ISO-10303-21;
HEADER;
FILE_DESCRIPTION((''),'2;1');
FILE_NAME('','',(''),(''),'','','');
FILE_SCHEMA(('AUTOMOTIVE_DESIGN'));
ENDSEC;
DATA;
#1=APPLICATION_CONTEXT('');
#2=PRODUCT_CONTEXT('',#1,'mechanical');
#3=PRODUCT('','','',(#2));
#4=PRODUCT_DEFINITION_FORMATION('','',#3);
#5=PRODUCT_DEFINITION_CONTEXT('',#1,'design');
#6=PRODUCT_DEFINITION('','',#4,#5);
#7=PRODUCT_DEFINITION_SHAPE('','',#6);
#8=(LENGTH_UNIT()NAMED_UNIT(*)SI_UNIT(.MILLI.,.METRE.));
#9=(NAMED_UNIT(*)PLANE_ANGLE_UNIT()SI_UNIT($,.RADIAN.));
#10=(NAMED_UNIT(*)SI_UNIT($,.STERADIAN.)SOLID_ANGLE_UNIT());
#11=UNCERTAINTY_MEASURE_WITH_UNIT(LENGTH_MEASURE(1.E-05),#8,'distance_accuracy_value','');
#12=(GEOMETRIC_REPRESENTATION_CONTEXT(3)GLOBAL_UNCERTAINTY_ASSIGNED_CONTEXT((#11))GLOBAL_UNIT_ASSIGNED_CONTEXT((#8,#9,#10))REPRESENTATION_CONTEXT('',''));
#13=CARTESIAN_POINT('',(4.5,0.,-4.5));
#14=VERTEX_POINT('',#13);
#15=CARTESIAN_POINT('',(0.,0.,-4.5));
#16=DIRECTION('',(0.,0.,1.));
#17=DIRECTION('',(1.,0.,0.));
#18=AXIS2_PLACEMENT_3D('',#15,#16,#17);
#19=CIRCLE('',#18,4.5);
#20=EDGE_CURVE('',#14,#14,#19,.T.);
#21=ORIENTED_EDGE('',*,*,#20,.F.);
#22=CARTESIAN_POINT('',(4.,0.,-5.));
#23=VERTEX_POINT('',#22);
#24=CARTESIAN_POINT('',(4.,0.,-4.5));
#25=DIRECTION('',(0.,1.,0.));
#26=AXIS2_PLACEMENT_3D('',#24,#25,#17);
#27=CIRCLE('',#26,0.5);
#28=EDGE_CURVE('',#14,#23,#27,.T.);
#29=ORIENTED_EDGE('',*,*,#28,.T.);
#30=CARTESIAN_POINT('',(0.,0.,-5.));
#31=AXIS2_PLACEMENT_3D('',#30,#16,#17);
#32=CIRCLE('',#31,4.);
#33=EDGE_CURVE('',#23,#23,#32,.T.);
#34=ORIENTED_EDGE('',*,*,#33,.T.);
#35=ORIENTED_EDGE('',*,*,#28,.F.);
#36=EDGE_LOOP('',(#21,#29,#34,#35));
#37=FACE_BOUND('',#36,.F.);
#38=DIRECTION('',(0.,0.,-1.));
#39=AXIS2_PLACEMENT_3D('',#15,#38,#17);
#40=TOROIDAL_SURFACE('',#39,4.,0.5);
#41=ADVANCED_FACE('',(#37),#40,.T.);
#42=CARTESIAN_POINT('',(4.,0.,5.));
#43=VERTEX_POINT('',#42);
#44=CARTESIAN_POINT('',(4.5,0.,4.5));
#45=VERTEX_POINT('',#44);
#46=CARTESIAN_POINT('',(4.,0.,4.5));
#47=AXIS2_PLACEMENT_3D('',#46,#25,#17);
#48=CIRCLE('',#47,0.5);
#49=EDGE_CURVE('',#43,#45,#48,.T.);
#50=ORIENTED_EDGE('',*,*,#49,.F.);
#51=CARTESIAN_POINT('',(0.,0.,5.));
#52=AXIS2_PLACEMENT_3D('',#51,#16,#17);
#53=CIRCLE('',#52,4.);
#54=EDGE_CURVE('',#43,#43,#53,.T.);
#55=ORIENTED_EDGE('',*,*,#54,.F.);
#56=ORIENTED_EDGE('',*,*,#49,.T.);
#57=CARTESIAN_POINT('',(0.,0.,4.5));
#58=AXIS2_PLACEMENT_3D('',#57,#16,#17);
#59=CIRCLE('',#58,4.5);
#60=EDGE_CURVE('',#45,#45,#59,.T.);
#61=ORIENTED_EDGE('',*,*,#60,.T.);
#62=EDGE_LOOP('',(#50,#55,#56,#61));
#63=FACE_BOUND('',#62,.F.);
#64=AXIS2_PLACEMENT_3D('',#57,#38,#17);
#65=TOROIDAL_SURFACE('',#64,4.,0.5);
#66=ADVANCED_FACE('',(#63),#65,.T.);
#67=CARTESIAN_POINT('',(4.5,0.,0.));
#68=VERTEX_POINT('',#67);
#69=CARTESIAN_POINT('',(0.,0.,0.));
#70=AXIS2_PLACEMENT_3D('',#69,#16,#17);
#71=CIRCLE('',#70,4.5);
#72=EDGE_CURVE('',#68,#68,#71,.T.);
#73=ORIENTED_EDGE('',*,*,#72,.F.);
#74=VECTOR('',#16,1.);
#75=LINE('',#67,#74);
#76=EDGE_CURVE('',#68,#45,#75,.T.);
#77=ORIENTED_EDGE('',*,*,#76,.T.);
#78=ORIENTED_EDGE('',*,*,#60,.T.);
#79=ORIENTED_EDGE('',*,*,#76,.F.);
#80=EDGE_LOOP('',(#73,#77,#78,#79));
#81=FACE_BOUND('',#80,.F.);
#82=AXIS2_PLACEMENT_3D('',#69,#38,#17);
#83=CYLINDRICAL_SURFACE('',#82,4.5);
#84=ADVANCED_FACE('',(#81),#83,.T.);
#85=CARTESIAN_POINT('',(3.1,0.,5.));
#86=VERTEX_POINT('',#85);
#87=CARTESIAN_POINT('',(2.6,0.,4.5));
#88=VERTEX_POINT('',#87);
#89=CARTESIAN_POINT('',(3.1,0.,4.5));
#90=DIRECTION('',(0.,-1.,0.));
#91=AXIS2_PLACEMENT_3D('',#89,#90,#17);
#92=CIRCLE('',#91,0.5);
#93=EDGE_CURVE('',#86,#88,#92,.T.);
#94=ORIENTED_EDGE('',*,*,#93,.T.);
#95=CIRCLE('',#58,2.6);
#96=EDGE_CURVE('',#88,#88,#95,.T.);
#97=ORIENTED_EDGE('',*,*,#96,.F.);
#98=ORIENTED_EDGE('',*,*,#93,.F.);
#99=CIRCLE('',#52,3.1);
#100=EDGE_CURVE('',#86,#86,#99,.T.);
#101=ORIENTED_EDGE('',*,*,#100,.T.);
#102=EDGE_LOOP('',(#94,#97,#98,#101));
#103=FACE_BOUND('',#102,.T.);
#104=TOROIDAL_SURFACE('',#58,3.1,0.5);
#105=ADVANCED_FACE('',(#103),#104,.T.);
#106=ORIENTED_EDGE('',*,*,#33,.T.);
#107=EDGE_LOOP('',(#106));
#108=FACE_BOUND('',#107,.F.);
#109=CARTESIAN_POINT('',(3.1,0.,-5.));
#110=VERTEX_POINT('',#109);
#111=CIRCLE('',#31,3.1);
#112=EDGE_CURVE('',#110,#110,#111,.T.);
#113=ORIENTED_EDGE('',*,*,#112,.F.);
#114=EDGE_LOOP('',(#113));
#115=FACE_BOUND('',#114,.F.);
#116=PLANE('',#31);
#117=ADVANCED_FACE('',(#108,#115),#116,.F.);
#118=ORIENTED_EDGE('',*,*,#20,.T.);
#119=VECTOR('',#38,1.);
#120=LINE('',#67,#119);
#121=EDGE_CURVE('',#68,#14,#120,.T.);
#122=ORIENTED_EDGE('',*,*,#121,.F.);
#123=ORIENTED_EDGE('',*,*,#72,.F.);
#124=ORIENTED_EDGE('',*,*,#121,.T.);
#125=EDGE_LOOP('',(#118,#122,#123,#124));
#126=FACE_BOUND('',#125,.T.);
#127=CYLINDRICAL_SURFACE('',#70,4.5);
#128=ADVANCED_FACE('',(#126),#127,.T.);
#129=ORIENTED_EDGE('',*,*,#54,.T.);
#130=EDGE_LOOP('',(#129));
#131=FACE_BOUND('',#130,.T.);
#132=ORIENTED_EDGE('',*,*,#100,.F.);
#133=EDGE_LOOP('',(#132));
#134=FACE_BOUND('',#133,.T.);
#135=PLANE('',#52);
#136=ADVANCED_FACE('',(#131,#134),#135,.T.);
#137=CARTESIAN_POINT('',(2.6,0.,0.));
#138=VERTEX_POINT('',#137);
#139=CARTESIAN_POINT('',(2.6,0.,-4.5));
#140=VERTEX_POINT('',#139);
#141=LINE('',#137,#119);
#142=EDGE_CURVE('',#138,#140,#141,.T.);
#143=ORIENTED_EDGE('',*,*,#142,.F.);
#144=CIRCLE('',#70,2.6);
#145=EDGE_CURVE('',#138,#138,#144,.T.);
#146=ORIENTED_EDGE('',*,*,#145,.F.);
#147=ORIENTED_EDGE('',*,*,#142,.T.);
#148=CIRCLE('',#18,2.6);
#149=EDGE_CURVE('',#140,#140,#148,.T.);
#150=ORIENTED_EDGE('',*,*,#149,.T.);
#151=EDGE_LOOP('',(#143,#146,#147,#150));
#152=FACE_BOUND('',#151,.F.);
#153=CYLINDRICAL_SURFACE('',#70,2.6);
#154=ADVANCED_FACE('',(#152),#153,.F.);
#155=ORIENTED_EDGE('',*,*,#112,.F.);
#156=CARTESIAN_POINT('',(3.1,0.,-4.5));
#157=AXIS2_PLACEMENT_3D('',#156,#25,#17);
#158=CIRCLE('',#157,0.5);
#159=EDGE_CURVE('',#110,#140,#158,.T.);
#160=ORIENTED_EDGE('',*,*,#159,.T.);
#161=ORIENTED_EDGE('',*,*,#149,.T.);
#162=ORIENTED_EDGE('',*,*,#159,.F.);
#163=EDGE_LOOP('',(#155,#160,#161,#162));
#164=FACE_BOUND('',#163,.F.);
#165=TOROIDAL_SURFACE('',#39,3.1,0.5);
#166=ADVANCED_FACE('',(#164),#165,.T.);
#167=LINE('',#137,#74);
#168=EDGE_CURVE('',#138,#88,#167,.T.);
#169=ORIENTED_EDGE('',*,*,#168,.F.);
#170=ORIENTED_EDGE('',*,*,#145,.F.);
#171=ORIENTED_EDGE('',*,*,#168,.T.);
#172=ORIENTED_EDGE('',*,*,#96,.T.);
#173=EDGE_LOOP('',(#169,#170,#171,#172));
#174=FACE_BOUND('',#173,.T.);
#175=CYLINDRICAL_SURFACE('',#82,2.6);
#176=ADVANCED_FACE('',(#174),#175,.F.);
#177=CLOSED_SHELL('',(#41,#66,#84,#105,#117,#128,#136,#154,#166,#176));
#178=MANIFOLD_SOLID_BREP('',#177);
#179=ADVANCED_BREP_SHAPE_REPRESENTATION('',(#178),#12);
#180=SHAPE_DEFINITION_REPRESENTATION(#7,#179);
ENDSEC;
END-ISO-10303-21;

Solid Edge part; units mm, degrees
sketch "Sketch1" plane through (0, 0, 0) normal (0, 0, 1) x (1, 0, 0)
  circle A0 centre (0, 0) radius 4.5
  circle A1 centre (0, 0) radius 2.6
  dimension "D1" = 9
  dimension "D2" = 5.2
extrude "Protrusion1" add sketch "Sketch1" along normal mid plane 10
fillet "Round_1" radius 0.5 2 edges at (-2.6, 0, -5) (-2.6, 0, 5)
fillet "Round_2" radius 0.5 2 edges at (-4.5, 0, -5) (-4.5, 0, 5)
properties material "Acrylic, high impact grade"
